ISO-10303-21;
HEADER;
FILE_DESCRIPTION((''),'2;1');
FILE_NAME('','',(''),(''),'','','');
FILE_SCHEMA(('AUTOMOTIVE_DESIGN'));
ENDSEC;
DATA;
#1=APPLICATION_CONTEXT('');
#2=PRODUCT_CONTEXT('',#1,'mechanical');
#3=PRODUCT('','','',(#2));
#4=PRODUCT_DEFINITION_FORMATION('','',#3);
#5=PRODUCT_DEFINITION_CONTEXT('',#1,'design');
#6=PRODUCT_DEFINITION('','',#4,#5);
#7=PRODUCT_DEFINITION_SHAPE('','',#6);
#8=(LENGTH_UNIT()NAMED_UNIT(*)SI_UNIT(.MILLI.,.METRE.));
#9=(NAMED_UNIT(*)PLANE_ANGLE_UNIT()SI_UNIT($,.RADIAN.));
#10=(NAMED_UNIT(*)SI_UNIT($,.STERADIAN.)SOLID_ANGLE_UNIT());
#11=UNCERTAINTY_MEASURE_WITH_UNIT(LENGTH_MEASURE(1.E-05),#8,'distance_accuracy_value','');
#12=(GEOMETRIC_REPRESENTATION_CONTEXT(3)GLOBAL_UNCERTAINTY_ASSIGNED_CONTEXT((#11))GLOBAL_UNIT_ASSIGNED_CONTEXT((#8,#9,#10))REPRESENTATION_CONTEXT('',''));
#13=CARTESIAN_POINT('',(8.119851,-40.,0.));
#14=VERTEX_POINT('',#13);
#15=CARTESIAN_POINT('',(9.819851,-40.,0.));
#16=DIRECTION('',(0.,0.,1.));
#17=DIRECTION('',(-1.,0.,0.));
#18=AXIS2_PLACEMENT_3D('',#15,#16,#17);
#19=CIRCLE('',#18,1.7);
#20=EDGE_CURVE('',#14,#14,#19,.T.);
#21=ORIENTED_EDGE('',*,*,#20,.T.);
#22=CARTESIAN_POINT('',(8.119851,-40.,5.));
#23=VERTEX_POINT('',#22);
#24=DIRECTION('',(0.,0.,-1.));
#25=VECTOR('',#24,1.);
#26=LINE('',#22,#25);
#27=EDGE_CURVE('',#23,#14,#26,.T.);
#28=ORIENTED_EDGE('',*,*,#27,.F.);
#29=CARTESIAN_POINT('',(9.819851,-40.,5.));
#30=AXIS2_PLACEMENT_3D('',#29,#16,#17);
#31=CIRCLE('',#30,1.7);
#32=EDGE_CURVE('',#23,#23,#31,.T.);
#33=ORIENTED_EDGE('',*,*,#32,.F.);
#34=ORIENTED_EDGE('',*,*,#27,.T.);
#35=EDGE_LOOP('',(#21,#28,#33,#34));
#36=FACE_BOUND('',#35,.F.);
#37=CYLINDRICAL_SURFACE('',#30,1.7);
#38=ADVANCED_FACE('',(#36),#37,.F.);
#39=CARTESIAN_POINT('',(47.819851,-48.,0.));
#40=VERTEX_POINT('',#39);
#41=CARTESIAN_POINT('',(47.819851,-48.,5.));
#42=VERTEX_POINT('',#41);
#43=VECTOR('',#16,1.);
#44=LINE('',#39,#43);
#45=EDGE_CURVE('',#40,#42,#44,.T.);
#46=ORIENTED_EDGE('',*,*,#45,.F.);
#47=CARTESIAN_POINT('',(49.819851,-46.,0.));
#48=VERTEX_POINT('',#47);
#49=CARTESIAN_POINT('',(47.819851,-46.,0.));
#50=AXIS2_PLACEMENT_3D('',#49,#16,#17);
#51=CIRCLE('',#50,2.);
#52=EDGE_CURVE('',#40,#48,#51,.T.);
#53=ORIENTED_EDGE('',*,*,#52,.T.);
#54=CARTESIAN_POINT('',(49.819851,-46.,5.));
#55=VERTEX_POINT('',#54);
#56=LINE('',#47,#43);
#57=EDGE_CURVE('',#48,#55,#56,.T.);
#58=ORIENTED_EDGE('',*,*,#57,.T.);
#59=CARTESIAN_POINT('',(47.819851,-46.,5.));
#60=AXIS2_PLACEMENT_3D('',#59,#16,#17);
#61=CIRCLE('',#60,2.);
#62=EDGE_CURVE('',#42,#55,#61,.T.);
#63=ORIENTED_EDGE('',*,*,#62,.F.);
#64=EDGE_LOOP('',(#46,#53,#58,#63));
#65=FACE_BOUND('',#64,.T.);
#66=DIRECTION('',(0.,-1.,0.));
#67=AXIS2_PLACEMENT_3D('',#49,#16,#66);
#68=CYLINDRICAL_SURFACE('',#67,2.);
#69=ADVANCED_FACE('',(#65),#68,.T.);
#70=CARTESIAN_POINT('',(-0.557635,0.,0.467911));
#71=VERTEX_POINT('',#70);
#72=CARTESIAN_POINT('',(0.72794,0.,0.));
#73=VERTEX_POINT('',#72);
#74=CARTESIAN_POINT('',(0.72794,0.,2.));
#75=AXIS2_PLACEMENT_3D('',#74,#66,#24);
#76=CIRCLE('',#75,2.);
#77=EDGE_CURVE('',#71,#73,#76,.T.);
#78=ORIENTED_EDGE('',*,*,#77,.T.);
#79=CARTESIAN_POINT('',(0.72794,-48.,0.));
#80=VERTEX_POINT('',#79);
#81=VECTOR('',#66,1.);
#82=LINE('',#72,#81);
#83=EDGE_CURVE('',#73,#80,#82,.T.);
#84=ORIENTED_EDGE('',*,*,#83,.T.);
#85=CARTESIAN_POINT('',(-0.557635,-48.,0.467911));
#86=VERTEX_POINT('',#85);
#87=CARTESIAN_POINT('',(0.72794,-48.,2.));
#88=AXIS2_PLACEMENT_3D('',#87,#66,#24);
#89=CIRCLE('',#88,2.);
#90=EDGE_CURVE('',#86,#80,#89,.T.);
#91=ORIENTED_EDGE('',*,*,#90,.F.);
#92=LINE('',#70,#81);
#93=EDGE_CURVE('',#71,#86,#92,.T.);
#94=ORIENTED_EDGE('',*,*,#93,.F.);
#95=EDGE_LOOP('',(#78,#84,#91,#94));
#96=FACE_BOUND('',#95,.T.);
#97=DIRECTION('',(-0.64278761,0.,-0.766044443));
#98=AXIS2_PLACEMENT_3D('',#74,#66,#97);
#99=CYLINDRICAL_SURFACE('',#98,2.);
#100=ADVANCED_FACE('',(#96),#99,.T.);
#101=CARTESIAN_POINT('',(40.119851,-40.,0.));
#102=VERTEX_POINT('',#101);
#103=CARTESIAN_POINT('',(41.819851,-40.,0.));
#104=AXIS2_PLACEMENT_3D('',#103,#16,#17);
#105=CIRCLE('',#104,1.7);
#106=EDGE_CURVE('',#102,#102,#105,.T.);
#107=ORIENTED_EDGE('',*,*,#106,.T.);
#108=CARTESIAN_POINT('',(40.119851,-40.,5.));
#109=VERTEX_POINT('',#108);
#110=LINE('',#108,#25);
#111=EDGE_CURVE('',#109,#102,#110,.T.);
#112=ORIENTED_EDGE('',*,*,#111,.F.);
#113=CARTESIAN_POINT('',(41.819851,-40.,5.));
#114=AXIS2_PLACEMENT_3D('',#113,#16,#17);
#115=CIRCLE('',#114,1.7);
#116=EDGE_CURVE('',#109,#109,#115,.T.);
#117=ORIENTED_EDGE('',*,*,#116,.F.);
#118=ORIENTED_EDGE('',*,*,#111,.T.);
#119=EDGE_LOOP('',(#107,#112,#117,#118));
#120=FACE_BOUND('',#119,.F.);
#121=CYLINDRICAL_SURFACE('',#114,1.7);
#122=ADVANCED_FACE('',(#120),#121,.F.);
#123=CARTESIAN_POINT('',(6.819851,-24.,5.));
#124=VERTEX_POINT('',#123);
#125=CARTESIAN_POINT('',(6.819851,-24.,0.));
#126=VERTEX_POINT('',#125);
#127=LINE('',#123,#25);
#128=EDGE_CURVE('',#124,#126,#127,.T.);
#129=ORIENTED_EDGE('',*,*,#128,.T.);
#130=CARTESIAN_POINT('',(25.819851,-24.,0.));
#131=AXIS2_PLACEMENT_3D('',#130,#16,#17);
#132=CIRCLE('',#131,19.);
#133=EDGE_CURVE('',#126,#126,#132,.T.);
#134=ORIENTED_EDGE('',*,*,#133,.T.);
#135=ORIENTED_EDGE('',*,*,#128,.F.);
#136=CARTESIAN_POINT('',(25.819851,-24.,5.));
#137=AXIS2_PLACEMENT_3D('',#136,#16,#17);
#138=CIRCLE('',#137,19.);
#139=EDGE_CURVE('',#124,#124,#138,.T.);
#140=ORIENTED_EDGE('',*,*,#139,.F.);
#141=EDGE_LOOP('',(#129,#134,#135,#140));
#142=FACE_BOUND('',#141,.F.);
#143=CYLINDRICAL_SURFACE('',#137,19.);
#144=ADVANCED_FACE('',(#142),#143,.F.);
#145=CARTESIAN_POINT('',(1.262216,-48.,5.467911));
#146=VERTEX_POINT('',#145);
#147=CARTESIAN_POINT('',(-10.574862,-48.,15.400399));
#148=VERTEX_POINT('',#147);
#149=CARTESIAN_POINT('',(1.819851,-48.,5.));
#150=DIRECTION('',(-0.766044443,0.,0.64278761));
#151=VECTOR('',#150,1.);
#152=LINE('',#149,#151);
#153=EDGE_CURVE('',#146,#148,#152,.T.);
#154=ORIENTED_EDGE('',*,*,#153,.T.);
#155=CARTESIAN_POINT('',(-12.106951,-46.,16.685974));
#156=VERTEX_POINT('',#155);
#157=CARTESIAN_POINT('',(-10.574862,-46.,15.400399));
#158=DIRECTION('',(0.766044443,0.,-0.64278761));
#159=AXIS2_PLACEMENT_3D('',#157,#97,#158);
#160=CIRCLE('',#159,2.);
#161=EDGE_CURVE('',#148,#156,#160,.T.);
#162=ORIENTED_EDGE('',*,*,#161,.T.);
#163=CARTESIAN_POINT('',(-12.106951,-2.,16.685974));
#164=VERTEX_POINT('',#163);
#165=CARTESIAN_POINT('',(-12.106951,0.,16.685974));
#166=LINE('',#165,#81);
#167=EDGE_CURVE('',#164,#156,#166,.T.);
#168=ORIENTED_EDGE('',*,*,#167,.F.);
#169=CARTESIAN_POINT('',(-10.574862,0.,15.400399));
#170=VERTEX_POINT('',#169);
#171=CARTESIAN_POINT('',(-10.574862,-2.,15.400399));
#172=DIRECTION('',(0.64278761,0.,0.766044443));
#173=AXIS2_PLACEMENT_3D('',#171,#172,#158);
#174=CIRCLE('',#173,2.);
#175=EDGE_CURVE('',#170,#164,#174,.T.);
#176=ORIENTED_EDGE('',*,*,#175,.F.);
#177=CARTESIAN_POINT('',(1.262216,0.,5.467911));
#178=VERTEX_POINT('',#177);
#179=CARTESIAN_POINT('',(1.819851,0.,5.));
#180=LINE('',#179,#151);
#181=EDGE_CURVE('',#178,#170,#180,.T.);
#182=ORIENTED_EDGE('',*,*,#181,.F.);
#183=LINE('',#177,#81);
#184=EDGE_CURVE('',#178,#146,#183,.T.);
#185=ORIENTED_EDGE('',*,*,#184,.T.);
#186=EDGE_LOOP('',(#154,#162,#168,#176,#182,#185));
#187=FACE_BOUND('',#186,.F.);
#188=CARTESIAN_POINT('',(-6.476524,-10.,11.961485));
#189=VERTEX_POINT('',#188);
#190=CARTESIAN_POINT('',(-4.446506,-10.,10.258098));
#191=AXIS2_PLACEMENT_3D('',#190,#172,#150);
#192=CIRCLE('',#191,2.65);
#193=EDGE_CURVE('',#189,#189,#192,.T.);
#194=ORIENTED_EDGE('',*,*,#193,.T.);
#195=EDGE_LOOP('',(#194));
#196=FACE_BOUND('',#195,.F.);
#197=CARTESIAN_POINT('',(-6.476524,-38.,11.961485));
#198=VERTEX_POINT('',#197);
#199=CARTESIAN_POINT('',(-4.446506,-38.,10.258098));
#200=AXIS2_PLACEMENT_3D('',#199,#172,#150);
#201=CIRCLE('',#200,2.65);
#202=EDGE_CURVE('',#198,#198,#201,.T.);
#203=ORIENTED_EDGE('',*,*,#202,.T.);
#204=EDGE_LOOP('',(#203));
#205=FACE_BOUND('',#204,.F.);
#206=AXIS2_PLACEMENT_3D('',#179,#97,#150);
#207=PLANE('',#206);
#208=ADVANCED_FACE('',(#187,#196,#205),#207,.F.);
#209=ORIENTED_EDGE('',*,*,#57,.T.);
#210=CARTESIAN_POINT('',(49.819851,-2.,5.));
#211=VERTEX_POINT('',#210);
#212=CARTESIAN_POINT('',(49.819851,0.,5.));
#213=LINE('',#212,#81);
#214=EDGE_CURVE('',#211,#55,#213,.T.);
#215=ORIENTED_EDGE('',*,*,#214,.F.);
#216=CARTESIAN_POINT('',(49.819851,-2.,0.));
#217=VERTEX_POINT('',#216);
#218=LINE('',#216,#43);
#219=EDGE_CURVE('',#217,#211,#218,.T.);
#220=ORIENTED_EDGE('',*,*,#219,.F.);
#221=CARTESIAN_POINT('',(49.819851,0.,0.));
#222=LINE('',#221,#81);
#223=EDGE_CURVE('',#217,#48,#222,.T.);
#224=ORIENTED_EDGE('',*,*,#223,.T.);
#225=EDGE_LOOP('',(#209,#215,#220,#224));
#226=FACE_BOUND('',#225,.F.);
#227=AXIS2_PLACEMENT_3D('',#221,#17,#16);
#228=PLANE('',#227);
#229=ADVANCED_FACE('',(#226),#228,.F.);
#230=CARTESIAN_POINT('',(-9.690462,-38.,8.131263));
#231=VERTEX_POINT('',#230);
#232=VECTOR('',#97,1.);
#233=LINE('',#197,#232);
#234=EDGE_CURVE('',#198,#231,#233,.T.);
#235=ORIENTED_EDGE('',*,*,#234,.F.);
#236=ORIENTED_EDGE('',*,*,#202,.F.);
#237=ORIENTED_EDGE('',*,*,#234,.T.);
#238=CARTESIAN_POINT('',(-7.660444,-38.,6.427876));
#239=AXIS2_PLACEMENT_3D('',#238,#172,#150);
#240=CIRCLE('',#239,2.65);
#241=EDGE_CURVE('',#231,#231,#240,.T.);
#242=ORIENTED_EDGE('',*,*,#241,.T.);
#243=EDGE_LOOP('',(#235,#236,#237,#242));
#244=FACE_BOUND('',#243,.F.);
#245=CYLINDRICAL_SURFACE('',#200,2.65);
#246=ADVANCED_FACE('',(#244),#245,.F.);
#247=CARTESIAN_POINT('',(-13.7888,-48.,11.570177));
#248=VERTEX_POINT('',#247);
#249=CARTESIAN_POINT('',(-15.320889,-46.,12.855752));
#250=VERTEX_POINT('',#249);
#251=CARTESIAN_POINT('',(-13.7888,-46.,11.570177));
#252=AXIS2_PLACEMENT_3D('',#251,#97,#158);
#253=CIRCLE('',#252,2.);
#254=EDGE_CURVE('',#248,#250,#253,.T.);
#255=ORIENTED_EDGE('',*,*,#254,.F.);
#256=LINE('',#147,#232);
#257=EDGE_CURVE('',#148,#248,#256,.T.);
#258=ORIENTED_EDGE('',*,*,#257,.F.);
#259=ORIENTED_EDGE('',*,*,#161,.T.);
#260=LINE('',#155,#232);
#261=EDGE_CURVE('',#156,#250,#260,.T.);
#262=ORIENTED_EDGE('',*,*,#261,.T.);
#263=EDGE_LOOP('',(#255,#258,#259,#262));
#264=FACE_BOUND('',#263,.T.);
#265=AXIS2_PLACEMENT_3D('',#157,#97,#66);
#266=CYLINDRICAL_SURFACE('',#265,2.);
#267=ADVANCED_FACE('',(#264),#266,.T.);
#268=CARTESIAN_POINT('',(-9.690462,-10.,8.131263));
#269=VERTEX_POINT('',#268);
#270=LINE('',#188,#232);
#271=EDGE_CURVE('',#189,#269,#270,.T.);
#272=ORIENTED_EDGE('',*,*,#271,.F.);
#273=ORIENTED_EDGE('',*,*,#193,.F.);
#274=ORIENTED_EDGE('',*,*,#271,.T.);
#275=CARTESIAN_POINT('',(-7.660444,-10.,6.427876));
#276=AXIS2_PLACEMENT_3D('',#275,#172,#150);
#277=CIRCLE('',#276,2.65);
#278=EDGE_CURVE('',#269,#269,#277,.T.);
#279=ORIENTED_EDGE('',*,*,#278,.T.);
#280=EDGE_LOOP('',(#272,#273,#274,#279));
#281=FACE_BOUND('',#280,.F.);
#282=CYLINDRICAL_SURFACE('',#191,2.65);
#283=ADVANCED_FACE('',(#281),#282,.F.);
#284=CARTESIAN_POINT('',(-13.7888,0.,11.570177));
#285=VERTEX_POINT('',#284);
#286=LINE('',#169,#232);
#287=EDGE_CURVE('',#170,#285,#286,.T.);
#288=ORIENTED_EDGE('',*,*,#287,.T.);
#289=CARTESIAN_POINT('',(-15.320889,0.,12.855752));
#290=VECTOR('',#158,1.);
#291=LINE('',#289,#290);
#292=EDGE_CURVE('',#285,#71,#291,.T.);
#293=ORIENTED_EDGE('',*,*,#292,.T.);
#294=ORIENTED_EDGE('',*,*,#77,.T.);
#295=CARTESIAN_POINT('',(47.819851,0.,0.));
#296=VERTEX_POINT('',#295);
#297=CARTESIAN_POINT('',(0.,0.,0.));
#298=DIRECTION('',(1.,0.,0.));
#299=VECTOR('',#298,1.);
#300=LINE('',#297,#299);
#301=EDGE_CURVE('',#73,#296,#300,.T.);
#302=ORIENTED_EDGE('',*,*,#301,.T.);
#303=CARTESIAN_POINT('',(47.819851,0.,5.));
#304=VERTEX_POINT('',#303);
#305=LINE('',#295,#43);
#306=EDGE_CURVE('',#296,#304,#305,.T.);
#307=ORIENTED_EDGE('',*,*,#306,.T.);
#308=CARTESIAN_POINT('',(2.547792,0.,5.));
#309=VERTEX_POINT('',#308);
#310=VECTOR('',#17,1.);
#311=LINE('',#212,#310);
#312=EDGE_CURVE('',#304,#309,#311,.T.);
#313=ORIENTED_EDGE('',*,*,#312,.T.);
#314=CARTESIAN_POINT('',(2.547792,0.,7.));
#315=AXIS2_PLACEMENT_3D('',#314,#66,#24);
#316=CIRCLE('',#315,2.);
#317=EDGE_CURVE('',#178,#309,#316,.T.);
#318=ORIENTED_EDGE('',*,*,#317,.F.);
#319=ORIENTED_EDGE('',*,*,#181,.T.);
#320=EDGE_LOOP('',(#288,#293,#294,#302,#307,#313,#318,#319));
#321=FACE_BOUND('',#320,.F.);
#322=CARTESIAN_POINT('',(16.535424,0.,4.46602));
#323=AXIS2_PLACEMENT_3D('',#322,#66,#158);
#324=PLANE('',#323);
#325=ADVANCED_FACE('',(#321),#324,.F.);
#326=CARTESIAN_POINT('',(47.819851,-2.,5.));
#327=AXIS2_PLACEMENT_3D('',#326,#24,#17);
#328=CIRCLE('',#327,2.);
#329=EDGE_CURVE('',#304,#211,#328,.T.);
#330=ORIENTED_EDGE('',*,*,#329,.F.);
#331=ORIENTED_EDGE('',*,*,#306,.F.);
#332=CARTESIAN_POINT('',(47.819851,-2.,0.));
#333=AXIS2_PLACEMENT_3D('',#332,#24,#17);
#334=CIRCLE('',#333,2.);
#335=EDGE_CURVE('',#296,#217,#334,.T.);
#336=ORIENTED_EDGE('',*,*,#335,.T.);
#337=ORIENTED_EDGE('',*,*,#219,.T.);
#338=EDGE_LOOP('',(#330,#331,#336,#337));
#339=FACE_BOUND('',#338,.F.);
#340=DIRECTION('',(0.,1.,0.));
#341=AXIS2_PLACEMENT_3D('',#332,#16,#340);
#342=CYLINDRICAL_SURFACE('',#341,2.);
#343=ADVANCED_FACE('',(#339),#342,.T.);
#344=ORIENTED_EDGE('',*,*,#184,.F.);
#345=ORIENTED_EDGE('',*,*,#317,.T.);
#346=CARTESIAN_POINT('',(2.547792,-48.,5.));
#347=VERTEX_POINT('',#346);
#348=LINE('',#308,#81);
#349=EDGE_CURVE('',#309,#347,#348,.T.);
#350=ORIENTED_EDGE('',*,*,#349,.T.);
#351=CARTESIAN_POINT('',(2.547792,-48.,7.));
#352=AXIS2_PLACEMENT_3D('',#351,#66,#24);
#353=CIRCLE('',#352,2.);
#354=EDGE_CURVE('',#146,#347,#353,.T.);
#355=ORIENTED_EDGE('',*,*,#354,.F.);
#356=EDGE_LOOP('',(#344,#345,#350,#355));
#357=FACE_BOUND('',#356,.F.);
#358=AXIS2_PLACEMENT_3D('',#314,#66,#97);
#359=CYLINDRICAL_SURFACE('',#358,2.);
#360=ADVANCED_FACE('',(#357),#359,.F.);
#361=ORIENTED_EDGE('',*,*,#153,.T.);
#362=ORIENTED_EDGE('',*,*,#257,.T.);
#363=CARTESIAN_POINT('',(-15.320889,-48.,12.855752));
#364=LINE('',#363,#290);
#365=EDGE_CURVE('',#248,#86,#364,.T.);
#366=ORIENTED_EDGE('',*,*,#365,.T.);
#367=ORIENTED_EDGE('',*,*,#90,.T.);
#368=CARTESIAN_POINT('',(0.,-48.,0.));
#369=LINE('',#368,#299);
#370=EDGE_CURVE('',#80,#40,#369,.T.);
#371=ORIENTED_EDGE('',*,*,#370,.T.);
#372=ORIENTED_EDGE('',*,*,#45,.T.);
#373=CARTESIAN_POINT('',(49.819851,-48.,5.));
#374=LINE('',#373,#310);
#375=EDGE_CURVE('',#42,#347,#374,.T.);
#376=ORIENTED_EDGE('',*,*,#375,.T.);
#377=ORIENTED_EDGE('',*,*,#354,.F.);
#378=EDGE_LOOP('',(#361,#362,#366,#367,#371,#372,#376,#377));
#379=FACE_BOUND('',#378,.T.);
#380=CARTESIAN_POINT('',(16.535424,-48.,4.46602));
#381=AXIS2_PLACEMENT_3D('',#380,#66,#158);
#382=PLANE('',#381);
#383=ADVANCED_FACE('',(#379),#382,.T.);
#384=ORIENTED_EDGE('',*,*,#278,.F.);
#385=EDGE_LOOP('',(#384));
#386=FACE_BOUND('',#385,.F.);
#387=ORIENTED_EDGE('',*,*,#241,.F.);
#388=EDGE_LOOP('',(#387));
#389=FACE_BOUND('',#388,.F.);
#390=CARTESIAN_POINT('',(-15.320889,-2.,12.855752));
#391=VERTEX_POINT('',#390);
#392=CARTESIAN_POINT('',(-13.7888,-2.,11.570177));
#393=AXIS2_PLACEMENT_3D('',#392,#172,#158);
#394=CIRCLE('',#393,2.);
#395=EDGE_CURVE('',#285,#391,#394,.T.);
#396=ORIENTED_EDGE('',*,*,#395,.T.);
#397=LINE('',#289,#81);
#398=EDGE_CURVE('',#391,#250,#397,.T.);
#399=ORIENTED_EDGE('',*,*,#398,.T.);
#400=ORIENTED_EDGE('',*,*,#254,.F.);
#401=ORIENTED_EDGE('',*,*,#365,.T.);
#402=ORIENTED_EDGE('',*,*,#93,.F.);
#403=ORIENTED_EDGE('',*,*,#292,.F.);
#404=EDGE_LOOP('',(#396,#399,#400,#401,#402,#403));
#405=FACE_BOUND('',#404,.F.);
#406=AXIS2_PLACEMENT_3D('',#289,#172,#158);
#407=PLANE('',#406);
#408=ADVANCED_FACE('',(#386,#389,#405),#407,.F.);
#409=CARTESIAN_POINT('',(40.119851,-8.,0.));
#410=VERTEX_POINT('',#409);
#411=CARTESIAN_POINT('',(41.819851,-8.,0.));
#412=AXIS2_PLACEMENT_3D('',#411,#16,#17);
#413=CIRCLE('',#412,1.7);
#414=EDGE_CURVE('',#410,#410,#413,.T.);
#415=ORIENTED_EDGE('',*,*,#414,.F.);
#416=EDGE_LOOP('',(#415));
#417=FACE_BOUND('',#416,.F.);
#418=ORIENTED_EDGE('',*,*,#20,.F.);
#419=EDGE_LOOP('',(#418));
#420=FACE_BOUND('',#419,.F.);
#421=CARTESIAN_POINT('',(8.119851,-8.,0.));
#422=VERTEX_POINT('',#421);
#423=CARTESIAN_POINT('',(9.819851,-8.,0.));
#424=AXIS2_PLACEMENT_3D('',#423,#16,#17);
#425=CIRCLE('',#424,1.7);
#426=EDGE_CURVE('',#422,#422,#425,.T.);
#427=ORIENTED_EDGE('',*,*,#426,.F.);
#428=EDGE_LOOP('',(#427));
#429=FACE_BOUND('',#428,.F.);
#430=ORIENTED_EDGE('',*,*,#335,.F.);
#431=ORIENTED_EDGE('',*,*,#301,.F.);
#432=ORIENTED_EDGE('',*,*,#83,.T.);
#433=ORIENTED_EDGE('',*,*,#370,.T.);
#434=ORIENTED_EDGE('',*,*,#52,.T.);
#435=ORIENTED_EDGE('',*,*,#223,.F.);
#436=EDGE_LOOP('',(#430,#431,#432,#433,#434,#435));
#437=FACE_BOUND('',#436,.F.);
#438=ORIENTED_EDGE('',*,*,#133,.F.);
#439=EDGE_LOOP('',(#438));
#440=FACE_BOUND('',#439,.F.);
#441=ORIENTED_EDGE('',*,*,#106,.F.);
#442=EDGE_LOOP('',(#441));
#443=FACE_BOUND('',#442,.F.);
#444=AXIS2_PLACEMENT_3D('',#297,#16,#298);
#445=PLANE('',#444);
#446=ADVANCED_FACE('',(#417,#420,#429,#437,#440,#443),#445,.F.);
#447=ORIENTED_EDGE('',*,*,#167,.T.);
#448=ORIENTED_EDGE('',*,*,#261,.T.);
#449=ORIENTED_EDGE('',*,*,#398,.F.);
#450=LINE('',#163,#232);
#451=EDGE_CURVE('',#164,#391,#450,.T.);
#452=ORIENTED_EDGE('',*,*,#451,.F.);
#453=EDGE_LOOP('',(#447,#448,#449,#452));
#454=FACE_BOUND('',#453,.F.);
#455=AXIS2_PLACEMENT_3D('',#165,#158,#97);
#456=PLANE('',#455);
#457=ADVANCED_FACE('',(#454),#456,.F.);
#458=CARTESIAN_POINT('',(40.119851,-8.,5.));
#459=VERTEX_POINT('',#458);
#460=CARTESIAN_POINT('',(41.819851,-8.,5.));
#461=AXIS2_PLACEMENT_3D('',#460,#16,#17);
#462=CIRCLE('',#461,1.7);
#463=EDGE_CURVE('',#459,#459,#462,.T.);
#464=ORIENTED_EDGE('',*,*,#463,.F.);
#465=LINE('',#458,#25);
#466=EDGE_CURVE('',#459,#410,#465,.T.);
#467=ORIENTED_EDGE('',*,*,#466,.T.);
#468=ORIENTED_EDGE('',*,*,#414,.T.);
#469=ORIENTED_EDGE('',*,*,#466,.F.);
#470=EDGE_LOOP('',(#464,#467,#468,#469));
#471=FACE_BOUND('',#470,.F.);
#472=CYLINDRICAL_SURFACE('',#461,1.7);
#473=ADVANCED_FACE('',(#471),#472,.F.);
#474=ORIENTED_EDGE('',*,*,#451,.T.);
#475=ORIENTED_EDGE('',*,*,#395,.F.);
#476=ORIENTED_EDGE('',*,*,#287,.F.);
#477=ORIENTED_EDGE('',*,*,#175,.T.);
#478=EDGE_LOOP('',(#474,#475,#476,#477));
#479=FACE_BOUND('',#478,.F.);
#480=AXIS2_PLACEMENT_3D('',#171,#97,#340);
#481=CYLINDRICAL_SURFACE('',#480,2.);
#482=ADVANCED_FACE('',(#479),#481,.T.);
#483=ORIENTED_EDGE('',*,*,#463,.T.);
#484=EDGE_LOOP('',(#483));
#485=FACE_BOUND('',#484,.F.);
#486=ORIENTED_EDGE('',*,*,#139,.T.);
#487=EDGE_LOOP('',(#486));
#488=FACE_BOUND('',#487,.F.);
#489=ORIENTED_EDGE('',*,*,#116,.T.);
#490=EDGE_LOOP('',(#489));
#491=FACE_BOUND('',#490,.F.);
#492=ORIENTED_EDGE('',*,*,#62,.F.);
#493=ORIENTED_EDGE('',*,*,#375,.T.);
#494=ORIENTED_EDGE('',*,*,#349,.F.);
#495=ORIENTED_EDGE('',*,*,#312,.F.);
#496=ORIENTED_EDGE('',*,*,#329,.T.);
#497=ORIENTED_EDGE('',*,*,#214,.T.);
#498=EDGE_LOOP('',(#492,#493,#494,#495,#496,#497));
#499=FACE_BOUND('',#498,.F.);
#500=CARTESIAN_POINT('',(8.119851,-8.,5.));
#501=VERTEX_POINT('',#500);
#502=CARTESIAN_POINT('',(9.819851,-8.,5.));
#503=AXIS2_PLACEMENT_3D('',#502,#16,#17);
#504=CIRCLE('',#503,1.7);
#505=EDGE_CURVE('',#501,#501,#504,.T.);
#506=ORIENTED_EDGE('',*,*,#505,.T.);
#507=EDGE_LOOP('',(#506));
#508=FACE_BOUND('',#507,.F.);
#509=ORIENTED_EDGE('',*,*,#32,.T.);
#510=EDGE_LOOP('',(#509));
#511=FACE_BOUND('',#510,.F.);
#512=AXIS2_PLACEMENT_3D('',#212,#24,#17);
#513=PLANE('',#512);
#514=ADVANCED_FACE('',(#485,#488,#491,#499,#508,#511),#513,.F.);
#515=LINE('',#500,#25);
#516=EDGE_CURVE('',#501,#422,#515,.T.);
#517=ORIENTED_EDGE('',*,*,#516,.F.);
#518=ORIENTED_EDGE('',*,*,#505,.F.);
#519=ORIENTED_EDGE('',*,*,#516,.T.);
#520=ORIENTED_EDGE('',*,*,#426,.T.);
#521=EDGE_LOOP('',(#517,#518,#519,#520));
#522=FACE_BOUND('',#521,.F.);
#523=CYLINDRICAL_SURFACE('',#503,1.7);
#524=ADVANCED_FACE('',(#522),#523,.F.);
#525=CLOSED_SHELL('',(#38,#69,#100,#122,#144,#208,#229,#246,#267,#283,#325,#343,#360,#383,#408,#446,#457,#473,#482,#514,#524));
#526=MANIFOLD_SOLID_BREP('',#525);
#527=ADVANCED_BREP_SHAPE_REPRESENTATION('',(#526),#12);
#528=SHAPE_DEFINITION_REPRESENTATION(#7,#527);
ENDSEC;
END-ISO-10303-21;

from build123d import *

# Parameters (mm, degrees)
F1_DEPTH = 48
F2_R     = 2.65
F3_DEPTH = 5
F4_R     = 19
F4_R_2   = 1.7
F5_DEPTH = 5
F6_ANGLE = 40
F7_ANGLE = 90
F8_R     = 2


with BuildPart() as f1:
    # F0 (on Top) → F1 (new body)
    with BuildSketch(Plane.XY):
        Polygon((-1.8198511713, 5), (-20, 5), (-20, 0), (0, 0), (38.1642201468, 32.0235830494), (34.9502820984, 35.853805265), align=None)
    extrude(amount=F1_DEPTH)

    # F2 (on face) → F3 (cut, through all)
    with BuildSketch(Plane(origin=(0, 5, 0), x_dir=(-1, 0, 0), z_dir=(0, 1, 0))):
        with Locations((10, 10)):
            Circle(F2_R)
        with Locations((10, 38)):
            Circle(F2_R)
    extrude(amount=-F3_DEPTH, mode=Mode.SUBTRACT)

    # F4 (on face) → F5 (cut, through all)
    with BuildSketch(Plane(origin=(-3.2139380484, 3.8302222156, 0), x_dir=(-0.7660444431, -0.6427876097, 0), z_dir=(-0.6427876097, 0.7660444431, 0))):
        with Locations((-25.8198511713, 24)):
            Circle(F4_R)
        with Locations((-9.8198511713, 40)):
            Circle(F4_R_2)
        with Locations((-9.8198511713, 8)):
            Circle(F4_R_2)
        with Locations((-41.8198511713, 8)):
            Circle(F4_R_2)
        with Locations((-41.8198511713, 40)):
            Circle(F4_R_2)
    extrude(amount=-F5_DEPTH, mode=Mode.SUBTRACT)


with BuildPart() as f1_1:
    # F6: moved
    add(f1.part.rotate(Axis((0, 0, 24), (0, 0, -1)), F6_ANGLE))


with BuildPart() as f1_2:
    # F7: moved
    add(f1_1.part.rotate(Axis((24.9099255857, 0, 0), (1, 0, 0)), F7_ANGLE))

    # F8
    f8_edges = [f1_2.edges().sort_by_distance(p)[0] for p in [
        (1.819851, -24, 5),
        (0, -24, 0),
        (-13.71392, 0, 14.770863),
        (-13.71392, -48, 14.770863),
        (49.819851, 0, 2.5),
        (49.819851, -48, 2.5),
    ]]
    fillet(f8_edges, radius=F8_R)


solid = f1_2.part
